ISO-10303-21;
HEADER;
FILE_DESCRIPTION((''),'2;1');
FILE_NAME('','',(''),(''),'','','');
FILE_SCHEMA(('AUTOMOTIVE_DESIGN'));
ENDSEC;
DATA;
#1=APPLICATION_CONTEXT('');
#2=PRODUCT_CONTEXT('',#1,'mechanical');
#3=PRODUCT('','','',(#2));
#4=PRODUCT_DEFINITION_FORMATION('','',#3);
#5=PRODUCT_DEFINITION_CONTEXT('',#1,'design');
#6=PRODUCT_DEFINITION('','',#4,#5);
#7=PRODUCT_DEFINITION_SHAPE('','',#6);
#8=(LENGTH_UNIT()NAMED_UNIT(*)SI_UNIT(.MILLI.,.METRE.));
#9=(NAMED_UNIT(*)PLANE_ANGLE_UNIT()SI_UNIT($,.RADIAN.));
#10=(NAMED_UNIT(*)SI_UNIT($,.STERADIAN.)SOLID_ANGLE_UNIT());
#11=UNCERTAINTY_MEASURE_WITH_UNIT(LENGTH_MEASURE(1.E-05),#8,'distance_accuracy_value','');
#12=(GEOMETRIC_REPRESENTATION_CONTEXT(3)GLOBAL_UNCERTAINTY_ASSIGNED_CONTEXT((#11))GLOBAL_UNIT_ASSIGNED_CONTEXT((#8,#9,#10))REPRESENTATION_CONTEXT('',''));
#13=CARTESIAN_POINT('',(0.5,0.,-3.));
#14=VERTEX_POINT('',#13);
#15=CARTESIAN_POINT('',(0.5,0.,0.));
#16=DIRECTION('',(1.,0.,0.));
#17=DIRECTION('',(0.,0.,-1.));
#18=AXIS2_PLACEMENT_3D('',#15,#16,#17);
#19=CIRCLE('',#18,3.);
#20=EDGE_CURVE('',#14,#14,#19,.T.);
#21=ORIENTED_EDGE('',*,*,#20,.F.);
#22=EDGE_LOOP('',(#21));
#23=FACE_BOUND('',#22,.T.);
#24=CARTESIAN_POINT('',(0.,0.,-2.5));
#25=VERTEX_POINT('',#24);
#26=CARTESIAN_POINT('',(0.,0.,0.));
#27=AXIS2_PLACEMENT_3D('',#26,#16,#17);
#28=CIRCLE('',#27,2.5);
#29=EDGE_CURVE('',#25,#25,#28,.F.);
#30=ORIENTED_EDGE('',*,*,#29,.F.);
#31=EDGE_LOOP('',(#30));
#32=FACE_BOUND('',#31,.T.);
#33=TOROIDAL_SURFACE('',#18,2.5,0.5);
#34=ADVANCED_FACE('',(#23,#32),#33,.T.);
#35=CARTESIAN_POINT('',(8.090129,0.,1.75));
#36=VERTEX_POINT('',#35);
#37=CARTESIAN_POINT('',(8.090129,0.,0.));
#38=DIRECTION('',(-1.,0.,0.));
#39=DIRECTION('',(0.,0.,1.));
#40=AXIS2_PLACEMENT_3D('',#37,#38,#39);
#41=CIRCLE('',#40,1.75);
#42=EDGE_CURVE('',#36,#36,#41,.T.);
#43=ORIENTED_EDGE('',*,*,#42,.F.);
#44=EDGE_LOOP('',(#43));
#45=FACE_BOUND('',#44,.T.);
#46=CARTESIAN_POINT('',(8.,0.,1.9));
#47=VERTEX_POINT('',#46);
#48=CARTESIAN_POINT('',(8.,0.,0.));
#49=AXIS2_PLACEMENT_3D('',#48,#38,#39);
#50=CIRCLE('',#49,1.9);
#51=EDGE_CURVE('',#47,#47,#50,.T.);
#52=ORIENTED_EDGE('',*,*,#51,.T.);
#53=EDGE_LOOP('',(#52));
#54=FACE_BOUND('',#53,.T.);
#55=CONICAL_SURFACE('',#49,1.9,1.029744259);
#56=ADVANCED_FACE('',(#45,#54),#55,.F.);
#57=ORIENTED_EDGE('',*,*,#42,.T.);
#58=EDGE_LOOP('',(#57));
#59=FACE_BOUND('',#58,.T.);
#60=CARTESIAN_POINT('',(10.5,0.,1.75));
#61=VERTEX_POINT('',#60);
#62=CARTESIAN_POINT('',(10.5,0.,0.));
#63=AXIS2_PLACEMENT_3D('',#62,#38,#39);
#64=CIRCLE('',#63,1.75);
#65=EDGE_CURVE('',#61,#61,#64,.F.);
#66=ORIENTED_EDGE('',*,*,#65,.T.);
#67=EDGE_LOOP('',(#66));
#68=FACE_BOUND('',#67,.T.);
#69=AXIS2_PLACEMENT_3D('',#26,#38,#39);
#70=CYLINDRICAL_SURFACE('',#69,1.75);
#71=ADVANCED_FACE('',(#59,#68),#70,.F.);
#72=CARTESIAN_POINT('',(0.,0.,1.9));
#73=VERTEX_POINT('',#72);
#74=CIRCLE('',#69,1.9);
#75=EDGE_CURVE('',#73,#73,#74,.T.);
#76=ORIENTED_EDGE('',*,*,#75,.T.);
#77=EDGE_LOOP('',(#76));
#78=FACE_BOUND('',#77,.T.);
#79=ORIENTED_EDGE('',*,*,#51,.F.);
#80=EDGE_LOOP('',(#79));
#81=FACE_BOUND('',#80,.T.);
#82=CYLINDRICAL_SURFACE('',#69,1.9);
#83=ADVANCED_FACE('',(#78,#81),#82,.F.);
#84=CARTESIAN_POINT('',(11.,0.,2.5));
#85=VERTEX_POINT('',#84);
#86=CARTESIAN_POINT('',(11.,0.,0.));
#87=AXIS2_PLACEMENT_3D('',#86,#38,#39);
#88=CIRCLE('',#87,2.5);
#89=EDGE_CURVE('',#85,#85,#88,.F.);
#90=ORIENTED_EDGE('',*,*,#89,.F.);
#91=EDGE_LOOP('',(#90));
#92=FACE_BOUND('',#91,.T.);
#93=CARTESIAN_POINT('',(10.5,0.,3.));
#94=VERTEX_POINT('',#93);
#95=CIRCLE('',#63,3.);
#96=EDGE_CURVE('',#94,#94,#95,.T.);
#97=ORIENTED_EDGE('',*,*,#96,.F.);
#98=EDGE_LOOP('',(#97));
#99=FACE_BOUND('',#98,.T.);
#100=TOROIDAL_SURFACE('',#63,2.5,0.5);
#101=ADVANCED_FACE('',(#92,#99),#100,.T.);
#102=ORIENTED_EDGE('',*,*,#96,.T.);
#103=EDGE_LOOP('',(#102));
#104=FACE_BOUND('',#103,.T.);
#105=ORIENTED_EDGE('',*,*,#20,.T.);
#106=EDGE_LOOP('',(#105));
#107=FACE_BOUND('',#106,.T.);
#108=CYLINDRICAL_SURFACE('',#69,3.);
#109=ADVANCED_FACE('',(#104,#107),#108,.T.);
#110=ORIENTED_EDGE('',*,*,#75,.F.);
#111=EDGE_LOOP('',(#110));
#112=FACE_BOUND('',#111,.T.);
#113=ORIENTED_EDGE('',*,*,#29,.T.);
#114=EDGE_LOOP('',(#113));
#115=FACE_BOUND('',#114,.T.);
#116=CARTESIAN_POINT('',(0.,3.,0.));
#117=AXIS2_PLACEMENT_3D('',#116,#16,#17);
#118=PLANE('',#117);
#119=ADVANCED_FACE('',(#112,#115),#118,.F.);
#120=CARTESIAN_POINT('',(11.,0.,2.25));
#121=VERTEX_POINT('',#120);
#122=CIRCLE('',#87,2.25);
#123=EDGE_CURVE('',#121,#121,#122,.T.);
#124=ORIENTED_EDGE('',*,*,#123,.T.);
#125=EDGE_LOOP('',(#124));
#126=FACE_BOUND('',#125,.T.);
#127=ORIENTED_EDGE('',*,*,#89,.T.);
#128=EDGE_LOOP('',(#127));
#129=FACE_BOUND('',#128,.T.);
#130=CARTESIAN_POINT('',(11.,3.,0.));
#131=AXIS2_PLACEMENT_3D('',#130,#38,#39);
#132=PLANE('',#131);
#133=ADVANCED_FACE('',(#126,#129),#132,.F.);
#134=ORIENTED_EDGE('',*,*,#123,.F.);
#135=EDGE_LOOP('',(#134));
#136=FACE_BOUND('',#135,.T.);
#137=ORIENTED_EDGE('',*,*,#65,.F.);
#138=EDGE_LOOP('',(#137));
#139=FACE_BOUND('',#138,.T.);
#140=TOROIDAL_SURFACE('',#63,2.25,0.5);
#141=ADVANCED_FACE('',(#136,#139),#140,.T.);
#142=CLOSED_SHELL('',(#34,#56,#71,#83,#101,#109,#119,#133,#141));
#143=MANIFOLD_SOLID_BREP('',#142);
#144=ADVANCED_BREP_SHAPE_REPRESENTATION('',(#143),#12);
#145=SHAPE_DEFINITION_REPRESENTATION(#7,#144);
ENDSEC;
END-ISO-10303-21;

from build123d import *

# Parameters (mm, degrees)
FILLET1_R = 0.5


with BuildPart() as part:
    # Sketch1 → Revolve1 (revolve)
    with BuildSketch(Plane.XY, mode=Mode.PRIVATE) as revolve1_sk:
        Polygon((8, 1.9), (8.090129093, 1.75), (11, 1.75), (11, 3), (0, 3), (0, 1.9), align=None)
    revolve(revolve1_sk.sketch.rotate(Axis((0, 0, 0), (1, 0, 0)), 90), axis=Axis((0, 0, 0), (1, 0, 0)))

    # Fillet1
    fillet1_edges = [part.edges().sort_by_distance(p)[0] for p in [
        (0, 0, -3),
        (11, 0, -3),
        (11, 0, -1.75),
    ]]
    fillet(fillet1_edges, radius=FILLET1_R)


solid = part.part
